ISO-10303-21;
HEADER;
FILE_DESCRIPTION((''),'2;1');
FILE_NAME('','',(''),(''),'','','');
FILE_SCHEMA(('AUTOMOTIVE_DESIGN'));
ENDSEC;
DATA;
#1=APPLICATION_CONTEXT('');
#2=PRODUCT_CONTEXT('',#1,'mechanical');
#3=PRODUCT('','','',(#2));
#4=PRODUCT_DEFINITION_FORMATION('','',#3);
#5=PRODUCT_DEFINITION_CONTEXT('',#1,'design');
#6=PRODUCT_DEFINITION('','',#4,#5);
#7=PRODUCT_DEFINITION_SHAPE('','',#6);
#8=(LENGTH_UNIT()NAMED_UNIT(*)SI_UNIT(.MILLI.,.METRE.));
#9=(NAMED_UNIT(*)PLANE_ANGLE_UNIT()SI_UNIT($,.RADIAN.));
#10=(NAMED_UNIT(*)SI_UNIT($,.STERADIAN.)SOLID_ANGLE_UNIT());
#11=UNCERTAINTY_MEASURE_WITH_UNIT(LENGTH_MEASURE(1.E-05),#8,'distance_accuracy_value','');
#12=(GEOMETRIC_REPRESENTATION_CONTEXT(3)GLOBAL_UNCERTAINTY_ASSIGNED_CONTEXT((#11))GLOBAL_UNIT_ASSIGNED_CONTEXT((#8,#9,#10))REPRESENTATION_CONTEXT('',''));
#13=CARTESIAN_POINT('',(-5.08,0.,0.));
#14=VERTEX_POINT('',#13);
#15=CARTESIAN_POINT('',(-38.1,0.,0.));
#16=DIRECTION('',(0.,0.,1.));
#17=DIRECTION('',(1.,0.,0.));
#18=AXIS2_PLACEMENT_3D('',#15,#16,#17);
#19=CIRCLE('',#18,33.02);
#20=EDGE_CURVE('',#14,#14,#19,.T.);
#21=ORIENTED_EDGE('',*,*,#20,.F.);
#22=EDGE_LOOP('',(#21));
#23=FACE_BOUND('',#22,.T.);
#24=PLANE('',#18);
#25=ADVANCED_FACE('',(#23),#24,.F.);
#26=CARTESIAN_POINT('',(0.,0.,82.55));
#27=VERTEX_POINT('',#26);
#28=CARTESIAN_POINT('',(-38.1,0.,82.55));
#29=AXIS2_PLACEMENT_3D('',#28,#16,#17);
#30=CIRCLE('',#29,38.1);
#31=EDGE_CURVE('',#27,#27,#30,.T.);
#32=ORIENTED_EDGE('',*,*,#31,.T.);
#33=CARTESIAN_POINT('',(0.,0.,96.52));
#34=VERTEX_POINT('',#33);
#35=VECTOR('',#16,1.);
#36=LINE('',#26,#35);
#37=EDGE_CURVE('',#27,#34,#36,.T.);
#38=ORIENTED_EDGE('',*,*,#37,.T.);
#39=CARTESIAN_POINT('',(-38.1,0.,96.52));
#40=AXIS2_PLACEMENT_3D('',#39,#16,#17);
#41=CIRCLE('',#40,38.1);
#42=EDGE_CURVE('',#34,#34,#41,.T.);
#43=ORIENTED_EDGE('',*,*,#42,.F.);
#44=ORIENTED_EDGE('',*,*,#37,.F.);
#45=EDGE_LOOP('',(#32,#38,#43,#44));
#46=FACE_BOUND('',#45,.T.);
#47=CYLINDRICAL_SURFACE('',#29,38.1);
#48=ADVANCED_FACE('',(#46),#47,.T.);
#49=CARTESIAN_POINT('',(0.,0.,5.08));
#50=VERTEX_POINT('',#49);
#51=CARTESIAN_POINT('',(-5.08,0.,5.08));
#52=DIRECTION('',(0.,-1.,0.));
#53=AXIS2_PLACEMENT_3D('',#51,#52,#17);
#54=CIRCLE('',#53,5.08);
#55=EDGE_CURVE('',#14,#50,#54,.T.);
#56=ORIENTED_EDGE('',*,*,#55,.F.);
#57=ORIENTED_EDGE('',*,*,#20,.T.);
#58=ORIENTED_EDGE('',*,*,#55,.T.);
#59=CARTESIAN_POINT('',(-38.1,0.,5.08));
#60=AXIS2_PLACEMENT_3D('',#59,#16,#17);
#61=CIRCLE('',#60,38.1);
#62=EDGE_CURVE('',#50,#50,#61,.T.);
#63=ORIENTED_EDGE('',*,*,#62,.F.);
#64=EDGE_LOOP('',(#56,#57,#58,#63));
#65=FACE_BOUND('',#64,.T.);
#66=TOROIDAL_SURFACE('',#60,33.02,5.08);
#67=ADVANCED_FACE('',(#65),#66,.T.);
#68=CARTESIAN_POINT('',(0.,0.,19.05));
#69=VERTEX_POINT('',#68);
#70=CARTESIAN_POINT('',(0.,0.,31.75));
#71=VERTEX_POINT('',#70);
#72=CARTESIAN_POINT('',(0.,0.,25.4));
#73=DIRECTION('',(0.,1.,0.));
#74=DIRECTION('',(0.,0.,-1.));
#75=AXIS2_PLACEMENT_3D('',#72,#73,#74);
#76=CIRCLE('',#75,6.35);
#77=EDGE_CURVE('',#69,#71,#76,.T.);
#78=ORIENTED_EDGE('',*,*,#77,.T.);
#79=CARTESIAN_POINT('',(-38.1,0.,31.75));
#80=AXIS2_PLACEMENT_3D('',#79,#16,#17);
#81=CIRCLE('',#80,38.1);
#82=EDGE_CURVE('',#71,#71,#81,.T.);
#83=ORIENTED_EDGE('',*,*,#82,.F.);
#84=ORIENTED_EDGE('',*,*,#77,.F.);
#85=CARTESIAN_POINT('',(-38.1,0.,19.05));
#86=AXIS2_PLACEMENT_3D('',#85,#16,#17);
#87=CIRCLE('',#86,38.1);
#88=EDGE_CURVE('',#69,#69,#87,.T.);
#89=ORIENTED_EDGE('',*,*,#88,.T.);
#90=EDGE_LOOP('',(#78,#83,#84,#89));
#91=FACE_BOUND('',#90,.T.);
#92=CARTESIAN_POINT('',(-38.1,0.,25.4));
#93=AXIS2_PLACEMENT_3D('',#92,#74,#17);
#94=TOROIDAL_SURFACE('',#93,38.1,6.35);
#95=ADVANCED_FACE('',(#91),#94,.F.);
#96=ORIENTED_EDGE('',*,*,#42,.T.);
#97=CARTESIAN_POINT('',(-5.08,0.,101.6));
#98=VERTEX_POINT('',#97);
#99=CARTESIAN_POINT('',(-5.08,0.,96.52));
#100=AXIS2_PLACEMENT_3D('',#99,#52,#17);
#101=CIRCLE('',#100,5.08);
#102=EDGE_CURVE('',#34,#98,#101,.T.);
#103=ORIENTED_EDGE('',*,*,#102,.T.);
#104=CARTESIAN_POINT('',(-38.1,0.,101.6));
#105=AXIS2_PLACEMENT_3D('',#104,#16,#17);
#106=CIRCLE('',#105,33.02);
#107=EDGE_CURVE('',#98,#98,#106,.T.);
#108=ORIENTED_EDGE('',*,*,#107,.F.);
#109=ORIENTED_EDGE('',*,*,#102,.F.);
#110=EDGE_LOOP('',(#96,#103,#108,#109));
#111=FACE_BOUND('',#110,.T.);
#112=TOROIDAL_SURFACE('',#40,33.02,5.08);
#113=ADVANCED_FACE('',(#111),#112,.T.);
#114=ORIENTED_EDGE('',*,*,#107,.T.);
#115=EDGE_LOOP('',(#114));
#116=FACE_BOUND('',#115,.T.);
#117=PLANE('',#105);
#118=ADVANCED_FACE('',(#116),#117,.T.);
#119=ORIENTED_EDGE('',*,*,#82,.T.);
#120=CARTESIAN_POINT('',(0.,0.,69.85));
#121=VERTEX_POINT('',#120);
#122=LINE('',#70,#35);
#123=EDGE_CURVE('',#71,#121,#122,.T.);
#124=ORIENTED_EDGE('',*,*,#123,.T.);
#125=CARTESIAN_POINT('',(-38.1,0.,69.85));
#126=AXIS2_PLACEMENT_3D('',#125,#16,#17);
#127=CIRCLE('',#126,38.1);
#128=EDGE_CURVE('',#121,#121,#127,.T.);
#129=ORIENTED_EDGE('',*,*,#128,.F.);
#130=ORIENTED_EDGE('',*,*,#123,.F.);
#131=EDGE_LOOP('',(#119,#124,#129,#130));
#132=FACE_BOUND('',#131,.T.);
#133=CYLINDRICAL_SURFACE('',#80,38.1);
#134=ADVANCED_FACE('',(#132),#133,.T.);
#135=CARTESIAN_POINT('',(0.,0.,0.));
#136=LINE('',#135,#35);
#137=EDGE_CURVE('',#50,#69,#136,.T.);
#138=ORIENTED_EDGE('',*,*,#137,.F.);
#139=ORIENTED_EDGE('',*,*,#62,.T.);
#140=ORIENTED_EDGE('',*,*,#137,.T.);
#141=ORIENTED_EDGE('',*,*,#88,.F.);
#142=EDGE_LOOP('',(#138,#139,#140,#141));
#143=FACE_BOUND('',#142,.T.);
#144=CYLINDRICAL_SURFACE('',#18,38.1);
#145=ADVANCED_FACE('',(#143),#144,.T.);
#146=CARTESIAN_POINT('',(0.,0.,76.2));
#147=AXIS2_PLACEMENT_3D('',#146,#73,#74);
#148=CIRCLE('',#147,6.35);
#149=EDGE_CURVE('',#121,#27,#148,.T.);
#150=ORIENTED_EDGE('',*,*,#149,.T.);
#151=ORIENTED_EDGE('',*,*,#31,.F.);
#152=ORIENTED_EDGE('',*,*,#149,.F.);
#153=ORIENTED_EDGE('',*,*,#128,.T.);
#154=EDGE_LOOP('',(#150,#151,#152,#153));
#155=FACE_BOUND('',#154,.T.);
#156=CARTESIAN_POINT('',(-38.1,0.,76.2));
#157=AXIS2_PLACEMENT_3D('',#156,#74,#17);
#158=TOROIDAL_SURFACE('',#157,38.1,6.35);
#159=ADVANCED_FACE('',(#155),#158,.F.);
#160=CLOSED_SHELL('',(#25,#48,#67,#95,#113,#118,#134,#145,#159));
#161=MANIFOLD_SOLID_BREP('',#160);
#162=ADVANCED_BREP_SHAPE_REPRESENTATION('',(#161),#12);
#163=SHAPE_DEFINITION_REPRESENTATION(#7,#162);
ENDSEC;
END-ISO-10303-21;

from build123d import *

# Parameters (mm, degrees)
F2_R = 5.08


with BuildPart() as f1:
    # F0 (on Front) → F1 (revolve)
    with BuildSketch(Plane.XZ):
        with BuildLine():
            Line((-38.1, 0), (0, 0))
            Line((0, 0), (0, 19.05))
            ThreePointArc((0, 19.05), (-6.35, 25.4), (0, 31.75))
            Line((0, 31.75), (0, 69.85))
            ThreePointArc((0, 69.85), (-6.35, 76.2), (0, 82.55))
            Line((0, 82.55), (0, 101.6))
            Line((0, 101.6), (-38.1, 101.6))
            Line((-38.1, 101.6), (-38.1, 0))
        make_face()
    revolve(axis=Axis((-38.1, 0, 50.8), (0, 0, 1)))

    # F2
    f2_edges = [f1.edges().sort_by_distance(p)[0] for p in [
        (-76.2, 0, 101.6),
        (-76.2, 0, 0),
    ]]
    fillet(f2_edges, radius=F2_R)


solid = f1.part
